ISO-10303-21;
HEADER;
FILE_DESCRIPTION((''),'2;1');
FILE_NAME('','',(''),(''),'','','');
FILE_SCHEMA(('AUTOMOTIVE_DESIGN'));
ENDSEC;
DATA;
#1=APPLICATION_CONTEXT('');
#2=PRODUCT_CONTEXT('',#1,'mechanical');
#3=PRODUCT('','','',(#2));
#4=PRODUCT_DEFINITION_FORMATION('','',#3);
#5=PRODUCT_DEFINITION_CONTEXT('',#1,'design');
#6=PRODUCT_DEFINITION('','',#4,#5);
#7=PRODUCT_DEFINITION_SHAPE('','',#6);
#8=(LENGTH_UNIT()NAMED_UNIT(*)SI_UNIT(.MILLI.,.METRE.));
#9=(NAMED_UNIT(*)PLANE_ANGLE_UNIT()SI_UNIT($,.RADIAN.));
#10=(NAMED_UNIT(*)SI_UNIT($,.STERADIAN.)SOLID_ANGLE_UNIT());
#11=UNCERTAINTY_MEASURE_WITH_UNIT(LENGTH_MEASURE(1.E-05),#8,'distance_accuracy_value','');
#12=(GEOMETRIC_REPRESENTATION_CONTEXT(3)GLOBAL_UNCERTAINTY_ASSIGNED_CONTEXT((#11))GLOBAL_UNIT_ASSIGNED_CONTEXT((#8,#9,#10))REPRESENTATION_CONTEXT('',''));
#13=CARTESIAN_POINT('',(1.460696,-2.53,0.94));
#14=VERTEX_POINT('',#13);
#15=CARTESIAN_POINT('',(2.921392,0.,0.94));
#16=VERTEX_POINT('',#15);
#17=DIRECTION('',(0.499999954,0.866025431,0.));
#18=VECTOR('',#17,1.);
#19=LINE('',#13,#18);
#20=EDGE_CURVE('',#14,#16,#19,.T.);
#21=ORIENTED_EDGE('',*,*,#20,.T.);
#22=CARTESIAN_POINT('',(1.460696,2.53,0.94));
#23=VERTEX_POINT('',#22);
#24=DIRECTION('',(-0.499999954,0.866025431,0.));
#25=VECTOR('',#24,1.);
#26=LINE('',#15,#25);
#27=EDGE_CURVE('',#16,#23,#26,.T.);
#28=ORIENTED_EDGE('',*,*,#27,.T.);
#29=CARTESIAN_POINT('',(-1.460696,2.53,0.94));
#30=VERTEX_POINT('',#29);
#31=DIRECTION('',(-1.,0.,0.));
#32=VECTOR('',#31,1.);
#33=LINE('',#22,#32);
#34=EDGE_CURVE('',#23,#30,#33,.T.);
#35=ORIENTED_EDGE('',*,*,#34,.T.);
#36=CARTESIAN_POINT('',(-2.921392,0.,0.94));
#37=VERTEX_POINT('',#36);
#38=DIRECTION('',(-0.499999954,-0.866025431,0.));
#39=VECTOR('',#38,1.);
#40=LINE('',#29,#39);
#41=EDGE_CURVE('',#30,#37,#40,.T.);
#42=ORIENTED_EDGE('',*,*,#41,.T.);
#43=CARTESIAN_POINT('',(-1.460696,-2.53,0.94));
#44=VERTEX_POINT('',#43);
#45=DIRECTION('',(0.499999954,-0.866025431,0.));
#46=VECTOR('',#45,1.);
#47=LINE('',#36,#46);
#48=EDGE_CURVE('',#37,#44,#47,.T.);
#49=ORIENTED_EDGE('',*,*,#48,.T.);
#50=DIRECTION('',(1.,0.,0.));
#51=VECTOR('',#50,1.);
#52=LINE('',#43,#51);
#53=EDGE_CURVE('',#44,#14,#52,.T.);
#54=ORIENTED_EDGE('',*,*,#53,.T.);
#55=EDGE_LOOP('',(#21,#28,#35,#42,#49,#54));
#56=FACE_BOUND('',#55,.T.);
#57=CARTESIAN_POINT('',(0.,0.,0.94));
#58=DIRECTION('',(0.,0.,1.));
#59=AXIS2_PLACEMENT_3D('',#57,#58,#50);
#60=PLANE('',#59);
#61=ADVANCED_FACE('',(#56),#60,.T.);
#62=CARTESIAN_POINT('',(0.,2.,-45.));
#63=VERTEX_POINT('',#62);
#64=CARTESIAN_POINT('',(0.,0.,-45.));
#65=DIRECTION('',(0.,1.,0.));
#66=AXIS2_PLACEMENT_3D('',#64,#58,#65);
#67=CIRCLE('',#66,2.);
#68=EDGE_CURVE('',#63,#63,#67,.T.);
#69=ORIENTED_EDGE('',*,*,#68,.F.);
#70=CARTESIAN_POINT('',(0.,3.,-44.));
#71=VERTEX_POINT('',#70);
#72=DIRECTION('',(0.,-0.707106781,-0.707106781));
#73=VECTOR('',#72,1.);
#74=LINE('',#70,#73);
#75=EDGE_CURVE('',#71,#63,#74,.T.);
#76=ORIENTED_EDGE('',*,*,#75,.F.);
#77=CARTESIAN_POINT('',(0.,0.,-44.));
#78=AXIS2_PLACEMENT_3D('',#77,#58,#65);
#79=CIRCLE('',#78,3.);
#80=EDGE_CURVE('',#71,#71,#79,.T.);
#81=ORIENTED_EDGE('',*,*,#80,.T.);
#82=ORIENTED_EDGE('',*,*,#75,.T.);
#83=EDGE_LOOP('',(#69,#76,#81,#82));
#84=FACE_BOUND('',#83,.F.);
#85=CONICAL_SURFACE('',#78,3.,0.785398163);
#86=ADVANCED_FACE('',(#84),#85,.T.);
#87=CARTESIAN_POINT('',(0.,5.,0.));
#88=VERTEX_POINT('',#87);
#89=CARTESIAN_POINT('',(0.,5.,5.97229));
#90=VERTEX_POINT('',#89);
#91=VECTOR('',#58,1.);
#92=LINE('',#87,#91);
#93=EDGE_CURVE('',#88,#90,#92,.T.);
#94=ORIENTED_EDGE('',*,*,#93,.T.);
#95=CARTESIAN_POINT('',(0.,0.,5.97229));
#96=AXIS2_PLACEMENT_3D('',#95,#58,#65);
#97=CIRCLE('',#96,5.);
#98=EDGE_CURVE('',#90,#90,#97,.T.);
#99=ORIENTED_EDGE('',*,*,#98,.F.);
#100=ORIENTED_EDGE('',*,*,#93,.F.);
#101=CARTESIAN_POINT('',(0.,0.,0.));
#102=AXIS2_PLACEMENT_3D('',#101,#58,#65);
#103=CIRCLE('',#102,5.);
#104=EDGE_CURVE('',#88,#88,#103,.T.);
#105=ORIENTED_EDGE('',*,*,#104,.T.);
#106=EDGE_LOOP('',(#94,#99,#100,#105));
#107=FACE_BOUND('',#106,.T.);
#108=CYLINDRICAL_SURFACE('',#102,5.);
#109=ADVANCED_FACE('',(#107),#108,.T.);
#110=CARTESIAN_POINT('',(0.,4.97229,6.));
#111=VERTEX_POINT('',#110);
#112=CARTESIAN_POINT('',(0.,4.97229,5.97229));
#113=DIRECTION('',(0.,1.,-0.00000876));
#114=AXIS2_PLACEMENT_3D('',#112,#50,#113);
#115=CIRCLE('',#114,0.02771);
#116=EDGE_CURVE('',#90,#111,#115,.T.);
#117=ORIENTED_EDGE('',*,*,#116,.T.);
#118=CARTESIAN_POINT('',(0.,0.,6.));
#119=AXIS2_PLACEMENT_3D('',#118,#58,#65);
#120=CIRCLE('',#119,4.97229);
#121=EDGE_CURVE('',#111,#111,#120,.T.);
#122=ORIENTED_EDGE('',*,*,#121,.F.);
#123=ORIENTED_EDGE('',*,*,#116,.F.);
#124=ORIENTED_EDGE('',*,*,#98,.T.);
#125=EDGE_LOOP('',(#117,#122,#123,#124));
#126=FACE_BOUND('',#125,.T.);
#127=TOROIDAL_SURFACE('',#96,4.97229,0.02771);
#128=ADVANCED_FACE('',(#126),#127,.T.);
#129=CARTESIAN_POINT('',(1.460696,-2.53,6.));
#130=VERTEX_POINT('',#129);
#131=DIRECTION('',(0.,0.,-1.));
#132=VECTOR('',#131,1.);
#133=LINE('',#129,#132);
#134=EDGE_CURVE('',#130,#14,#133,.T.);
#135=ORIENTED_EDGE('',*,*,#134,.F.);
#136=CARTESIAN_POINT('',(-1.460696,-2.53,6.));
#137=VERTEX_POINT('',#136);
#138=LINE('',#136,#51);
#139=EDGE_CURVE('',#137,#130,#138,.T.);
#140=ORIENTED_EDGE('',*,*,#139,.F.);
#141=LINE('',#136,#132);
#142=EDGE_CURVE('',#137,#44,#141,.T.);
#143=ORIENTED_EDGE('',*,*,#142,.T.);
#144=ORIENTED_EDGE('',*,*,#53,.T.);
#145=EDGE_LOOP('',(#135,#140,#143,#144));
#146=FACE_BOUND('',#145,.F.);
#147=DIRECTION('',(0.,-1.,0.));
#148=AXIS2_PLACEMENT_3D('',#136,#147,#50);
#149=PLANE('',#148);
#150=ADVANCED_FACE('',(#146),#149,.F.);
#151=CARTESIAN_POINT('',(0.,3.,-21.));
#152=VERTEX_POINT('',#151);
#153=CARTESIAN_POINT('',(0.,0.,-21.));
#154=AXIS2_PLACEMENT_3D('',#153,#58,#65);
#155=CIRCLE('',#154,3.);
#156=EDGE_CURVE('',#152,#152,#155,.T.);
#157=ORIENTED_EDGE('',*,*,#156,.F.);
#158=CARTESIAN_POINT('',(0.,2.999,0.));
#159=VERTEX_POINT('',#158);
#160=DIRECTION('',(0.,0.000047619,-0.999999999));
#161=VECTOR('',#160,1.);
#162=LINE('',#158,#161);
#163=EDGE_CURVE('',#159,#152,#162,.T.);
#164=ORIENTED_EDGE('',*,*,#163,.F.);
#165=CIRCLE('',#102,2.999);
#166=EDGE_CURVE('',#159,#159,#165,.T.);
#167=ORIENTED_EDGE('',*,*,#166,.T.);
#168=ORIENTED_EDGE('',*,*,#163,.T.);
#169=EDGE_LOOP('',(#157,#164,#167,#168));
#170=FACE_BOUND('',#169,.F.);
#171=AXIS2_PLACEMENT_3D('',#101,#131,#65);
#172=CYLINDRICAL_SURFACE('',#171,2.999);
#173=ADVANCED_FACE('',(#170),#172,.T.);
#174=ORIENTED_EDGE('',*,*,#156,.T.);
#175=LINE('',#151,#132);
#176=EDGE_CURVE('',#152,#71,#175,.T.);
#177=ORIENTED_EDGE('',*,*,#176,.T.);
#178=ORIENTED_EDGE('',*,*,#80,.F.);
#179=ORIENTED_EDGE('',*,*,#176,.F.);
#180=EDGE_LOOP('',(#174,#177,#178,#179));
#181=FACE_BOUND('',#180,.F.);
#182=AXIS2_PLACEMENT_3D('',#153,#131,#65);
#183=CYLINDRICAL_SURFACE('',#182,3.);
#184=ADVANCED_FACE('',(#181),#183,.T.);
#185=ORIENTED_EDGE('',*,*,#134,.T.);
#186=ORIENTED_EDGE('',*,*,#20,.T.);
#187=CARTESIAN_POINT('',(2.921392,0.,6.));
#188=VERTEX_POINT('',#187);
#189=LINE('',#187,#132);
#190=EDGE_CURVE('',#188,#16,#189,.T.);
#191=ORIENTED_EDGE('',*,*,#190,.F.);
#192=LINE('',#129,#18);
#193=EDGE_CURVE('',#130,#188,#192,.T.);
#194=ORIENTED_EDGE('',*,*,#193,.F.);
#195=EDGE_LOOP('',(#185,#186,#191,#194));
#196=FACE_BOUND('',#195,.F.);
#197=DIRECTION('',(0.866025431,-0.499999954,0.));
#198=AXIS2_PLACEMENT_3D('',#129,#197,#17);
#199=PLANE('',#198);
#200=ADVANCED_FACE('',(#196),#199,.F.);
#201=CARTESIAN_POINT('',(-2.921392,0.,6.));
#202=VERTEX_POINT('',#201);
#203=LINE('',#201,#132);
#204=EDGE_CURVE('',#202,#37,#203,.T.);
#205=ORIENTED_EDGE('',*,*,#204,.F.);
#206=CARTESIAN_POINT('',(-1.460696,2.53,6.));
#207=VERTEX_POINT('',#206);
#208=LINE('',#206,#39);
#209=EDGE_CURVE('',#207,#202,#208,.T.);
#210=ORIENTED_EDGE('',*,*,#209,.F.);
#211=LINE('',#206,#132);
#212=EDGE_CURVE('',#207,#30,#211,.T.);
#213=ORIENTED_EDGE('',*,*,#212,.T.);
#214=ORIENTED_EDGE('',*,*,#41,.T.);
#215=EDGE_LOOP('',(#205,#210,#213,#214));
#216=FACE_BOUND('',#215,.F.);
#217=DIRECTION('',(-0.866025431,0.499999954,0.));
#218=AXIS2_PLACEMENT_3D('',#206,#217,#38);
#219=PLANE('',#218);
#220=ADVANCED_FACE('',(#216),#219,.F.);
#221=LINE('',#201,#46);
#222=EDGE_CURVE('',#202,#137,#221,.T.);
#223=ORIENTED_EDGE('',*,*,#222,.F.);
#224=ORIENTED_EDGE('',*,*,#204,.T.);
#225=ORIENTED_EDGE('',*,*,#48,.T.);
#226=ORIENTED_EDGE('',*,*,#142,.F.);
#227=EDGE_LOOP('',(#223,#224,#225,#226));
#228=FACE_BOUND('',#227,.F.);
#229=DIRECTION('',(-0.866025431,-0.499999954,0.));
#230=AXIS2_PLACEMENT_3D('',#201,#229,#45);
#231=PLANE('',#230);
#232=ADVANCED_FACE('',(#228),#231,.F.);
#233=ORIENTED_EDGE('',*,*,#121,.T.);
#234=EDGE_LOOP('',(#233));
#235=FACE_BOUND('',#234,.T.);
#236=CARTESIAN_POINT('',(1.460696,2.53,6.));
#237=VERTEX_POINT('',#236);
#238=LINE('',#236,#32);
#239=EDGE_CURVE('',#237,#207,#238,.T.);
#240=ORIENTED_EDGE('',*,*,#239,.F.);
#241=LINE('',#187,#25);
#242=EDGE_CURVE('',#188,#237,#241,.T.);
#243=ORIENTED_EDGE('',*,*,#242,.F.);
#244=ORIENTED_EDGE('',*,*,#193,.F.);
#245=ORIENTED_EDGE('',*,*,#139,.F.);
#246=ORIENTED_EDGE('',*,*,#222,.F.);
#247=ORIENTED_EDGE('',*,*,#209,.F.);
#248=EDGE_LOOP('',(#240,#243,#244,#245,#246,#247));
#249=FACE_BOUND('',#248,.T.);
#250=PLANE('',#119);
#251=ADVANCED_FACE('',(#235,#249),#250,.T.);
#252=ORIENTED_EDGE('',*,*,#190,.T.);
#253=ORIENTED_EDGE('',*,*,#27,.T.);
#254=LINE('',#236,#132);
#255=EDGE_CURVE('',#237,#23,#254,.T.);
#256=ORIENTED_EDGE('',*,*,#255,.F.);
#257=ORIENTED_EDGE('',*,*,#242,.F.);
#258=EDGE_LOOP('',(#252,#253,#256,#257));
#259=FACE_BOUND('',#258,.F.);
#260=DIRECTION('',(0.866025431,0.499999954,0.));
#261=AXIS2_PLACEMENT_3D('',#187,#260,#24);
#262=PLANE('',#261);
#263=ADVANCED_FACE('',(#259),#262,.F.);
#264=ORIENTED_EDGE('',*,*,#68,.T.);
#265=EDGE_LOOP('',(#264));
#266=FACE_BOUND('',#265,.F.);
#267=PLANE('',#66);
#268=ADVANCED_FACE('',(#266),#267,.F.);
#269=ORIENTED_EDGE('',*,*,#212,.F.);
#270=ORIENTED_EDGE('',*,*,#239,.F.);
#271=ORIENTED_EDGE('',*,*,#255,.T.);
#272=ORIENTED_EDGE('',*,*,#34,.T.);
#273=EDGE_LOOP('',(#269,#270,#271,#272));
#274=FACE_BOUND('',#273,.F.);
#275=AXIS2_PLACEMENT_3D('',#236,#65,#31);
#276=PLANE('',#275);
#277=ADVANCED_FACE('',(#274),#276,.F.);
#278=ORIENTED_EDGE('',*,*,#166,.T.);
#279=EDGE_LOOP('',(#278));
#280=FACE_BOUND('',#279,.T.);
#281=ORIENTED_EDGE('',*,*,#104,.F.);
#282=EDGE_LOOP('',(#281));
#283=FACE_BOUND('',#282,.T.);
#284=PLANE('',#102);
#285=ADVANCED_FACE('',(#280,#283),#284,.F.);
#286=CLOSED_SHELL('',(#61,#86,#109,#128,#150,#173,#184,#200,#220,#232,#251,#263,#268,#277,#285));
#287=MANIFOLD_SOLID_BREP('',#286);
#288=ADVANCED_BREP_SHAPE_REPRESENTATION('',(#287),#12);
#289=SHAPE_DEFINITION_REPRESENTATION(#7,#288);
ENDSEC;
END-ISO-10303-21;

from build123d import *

# Parameters (mm, degrees)
POCKET_DEPTH = 5.06


with BuildPart() as part:
    # Sketch → Revolve (revolve)
    with BuildSketch(Plane.YZ):
        with BuildLine():
            Line((2.999, 0), (5, 0))
            Line((5, 0), (5, 5.97229))
            ThreePointArc((5, 5.97229), (4.991884, 5.991884), (4.97229, 6))
            Line((4.97229, 6), (0, 6))
            Line((0, -45), (0, 6))
            Line((2, -45), (0, -45))
            Line((3, -44), (2, -45))
            Line((3, -21), (3, -44))
            Line((2.999, 0), (3, -21))
        make_face()
    revolve(axis=Axis((0, 0, 0), (0, 0, 1)))

    # Sketch001 → Pocket (cut)
    with BuildSketch(Plane.XY.offset(6)):
        Polygon((2.921392, 0), (1.460696, 2.53), (-1.460696, 2.53), (-2.921392, 0), (-1.460696, -2.53), (1.460696, -2.53), align=None)
    extrude(amount=-POCKET_DEPTH, mode=Mode.SUBTRACT)


solid = part.part
